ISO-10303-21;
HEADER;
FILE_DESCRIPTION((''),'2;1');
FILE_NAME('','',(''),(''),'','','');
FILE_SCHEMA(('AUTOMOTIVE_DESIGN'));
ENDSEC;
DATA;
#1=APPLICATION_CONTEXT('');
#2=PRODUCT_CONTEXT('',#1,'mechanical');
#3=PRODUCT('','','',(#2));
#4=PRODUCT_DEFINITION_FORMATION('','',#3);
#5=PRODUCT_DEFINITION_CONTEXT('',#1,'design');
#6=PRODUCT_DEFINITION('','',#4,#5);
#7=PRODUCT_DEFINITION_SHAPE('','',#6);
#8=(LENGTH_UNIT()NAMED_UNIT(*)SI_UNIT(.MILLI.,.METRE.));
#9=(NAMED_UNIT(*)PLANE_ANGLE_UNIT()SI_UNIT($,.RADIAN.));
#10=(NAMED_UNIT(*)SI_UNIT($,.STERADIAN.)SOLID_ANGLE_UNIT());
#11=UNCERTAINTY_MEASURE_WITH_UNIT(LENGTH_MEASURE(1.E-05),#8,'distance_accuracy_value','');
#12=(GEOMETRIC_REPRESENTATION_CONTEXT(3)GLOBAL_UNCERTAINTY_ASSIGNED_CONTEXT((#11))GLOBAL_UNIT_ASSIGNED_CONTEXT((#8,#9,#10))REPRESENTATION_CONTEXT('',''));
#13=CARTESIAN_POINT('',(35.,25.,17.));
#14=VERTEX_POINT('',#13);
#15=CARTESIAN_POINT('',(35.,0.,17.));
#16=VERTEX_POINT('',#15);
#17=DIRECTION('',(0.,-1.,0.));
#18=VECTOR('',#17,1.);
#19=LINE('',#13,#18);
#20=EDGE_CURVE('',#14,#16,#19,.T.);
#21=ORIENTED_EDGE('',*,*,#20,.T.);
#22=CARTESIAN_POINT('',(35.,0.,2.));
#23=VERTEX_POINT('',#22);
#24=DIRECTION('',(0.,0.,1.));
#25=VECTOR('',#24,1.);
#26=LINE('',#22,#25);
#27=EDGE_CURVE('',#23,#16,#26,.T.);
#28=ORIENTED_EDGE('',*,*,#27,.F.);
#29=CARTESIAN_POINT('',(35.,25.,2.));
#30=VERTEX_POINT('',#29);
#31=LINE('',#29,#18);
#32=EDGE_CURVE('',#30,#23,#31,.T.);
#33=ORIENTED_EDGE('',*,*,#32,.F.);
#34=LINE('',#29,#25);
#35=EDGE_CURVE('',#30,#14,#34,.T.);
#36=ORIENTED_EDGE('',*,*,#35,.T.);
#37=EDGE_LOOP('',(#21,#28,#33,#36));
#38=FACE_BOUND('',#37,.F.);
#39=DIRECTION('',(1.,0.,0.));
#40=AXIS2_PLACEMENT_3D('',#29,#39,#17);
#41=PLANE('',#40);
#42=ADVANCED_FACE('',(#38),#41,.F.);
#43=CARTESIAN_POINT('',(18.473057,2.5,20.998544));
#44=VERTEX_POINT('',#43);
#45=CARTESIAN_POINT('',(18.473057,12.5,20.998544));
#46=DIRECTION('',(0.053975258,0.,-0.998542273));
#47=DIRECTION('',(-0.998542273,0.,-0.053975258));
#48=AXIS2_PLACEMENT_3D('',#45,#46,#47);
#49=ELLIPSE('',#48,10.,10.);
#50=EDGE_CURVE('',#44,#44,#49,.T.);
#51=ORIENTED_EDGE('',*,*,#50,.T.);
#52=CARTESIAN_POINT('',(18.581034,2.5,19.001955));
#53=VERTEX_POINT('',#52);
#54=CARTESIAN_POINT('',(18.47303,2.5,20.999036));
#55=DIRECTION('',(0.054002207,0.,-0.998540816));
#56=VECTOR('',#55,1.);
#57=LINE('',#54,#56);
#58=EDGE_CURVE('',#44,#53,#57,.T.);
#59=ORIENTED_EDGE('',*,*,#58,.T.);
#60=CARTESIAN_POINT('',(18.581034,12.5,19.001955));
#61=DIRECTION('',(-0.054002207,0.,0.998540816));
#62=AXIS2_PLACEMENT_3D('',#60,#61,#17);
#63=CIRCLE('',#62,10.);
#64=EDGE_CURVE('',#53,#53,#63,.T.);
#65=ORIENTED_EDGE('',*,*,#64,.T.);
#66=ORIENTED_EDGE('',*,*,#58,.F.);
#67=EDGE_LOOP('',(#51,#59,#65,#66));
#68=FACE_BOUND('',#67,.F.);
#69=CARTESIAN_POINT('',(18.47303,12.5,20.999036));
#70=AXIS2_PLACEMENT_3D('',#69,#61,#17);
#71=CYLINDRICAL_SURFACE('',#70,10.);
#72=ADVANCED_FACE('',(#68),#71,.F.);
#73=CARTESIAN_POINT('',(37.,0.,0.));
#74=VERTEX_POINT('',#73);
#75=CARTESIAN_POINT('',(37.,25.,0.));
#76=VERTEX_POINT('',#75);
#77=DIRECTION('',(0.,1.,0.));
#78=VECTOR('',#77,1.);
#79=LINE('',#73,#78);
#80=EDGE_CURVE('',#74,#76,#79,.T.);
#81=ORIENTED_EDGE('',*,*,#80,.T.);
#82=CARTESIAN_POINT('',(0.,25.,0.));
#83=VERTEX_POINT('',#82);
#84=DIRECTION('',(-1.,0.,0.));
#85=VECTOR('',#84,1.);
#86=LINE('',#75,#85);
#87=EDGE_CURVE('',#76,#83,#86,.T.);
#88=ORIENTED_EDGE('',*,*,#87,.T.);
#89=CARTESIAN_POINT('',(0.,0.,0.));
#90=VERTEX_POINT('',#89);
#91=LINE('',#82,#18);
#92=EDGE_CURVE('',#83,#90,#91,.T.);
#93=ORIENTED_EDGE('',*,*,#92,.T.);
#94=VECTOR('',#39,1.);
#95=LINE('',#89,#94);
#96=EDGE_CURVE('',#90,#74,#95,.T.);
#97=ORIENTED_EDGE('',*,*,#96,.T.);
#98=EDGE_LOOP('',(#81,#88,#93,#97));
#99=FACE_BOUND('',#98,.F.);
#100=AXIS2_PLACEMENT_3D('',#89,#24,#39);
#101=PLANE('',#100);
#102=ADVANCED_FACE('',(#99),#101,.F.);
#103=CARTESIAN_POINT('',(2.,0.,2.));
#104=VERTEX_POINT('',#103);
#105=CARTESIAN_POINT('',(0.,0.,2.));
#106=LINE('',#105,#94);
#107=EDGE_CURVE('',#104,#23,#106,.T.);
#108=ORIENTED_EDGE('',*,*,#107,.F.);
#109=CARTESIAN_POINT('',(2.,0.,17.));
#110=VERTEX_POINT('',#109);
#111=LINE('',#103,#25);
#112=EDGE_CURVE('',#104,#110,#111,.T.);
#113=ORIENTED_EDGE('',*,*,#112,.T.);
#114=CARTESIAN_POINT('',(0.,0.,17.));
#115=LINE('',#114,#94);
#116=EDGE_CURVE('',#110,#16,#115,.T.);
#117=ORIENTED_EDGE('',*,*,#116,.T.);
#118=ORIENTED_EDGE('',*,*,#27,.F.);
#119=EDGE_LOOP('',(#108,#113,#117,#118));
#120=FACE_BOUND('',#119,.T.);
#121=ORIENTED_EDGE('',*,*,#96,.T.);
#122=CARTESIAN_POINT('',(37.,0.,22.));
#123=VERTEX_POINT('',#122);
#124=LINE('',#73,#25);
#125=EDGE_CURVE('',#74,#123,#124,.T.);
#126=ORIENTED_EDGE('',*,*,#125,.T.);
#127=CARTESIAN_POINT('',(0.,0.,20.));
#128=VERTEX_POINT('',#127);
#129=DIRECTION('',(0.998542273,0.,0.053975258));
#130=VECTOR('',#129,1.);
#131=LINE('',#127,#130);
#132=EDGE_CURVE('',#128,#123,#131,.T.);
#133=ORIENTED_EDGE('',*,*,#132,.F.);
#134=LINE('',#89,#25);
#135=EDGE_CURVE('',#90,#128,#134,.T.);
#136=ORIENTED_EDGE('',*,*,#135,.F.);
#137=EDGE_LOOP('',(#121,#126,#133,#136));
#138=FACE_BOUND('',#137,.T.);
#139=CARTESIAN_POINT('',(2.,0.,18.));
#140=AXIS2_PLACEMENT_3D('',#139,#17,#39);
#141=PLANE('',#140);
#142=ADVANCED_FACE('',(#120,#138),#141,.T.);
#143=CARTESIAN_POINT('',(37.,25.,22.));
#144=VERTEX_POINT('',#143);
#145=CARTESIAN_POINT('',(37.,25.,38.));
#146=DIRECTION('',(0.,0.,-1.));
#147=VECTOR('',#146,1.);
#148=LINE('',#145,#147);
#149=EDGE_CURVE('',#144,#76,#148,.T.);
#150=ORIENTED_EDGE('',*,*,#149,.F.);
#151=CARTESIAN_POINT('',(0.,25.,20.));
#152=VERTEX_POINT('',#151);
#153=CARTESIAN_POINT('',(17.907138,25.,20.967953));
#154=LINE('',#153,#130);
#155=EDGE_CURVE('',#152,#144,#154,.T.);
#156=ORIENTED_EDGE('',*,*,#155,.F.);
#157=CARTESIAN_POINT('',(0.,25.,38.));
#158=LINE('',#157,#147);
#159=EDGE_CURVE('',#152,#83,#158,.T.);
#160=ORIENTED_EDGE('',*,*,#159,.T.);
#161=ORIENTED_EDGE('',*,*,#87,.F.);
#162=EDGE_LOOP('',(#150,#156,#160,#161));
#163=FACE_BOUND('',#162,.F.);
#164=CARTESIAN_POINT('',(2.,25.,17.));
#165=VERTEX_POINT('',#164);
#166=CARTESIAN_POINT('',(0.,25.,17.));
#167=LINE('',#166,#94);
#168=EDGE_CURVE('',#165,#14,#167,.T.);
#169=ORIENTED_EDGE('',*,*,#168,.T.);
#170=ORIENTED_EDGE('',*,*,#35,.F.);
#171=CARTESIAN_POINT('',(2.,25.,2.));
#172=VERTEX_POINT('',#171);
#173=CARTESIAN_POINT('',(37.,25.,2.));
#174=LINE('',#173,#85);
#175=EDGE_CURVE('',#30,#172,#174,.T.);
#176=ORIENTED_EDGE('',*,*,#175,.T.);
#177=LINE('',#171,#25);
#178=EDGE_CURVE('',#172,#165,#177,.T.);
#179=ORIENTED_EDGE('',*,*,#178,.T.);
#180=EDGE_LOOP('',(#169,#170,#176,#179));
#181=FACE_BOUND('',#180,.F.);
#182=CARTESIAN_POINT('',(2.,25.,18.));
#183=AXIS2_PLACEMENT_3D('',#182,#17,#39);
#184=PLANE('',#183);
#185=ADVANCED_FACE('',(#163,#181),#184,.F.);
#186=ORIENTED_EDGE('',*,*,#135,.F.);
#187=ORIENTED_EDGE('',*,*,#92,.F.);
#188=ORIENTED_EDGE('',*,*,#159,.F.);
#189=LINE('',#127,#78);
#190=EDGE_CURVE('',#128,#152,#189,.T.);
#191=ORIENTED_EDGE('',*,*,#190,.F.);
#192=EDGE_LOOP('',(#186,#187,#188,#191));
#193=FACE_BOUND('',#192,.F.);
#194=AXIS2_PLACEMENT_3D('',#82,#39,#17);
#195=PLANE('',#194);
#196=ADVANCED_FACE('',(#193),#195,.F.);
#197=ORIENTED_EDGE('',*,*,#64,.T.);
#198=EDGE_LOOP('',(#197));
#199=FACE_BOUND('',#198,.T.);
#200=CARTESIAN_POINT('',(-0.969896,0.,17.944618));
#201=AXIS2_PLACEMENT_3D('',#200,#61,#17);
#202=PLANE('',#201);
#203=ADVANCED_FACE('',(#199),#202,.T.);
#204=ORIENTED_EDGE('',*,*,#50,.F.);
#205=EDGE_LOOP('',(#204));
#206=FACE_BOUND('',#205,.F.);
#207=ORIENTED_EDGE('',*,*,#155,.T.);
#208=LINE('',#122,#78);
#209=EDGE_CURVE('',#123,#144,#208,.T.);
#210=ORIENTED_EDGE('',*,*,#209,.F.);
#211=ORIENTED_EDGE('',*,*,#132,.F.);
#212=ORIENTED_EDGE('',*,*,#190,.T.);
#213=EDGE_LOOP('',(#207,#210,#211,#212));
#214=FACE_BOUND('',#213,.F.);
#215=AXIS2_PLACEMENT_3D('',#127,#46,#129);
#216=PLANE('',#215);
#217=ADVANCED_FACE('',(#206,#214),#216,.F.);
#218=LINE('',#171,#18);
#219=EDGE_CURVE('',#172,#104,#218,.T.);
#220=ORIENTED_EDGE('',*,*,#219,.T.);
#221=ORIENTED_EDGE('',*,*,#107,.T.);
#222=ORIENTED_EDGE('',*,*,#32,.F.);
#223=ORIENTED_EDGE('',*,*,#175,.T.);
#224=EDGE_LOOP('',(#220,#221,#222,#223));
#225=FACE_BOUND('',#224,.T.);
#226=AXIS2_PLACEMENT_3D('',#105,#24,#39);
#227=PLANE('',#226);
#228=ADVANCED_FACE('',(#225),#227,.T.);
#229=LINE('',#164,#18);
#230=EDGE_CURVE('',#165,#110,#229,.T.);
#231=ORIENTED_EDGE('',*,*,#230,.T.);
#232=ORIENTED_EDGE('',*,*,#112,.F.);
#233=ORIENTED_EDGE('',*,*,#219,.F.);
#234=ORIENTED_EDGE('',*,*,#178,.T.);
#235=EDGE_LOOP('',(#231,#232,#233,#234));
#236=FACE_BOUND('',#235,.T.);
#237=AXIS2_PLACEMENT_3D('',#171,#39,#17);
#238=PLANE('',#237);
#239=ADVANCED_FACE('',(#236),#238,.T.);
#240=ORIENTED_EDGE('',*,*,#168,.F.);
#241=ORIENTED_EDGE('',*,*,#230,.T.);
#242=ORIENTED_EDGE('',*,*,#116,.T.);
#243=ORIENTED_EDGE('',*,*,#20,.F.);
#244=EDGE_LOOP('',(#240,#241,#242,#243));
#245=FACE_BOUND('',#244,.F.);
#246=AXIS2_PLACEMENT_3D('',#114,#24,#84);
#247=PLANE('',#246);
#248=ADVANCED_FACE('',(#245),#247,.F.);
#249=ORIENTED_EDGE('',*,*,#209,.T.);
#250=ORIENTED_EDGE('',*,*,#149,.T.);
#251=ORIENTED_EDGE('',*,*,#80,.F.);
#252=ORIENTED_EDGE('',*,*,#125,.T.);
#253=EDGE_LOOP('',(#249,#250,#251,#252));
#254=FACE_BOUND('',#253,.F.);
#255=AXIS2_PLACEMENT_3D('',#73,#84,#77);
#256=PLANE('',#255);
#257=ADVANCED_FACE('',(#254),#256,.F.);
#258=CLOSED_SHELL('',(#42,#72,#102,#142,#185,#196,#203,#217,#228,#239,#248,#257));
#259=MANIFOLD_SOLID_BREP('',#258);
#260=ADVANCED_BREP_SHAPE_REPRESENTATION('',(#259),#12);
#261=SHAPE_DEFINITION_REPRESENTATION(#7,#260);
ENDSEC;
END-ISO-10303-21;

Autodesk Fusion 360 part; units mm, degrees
sketch "Sketch1" plane through (0, 0, 0) normal (0, 0, 1) x (1, 0, 0)
  line L0 (0, 0) -> (37, 0)
  line L1 (37, 0) -> (37, 25)
  line L2 (37, 25) -> (0, 25)
  line L3 (0, 25) -> (0, 0)
  dimension "d1" = 37
  dimension "d2" = 25
extrude "Extrude1" add sketch "Sketch1" along normal blind 2
sketch "Sketch2" plane through (0, 0, 2) normal (0, 0, 1) x (-1, 0, 0)
  line L0 (0, -25) -> (0, 0)
  line L1 (0, 0) -> (-37, 0)
  line L2 (-37, 0) -> (-37, -25)
  line L3 (-37, -25) -> (0, -25)
  line L4 (0, -25) -> (-2, -25)
  line L5 (-2, -25) -> (-2, 0)
  line L6 (-2, 0) -> (0, 0)
  line L7 (0, 0) -> (0, -25)
  line L8 (-37, -25) -> (-35, -25)
  line L9 (-35, -25) -> (-35, 0)
  line L10 (-35, 0) -> (-37, 0)
  line L11 (-37, 0) -> (-37, -25)
  dimension "d5" = 2
  dimension "d6" = 25
  dimension "d7" = 2
  dimension "d8" = 25
extrude "Extrude2" add sketch "Sketch2" along normal blind 16 contours L0 L1 L3 L4 L5 L6 L7 | L1 L2 L3 L8 L9 L10 L11
sketch "Sketch3" plane through (0, 0, 18) normal (0, 0, 1) x (-1, 0, 0)
  line L0 (-37, 0) -> (-37, -25)
  line L1 (-37, -25) -> (-35, -25)
  line L2 (-35, -25) -> (-35, 0)
  line L3 (-35, 0) -> (-37, 0)
  line L4 (0, -25) -> (-37, -25)
  line L5 (-37, -25) -> (-37, 0)
  line L6 (-37, 0) -> (0, 0)
  line L7 (0, 0) -> (0, -25)
extrude "Extrude3" add sketch "Sketch3" along normal blind 20
sketch "Sketch4" plane through (0, 0, 0) normal (0, -1, 0) x (1, 0, 0)
  line L0 (0, 38) -> (0, 0)
  line L1 (0, 0) -> (37, 0)
  line L2 (37, 0) -> (37, 38)
  line L3 (37, 38) -> (0, 38)
  line L4 (2, 18) -> (35, 18)
  line L5 (35, 18) -> (35, 2)
  line L6 (35, 2) -> (2, 2)
  line L7 (2, 2) -> (2, 18)
  line L8 (0, 20) -> (37, 22)
extrude "Extrude4" cut sketch "Sketch4" against normal blind 40 contours L0 L2 L3 L8
sketch "Sketch5" plane through (-1.0779, 0, 19.9417) normal (-0.054, 0, 0.9985) x (0, -1, 0)
  line L0 (-25, 38.1335) -> (-25, 1.0795)
  line L1 (-25, 1.0795) -> (0, 1.0795)
  line L2 (0, 1.0795) -> (0, 38.1335)
  line L3 (0, 38.1335) -> (-25, 38.1335)
  line L4 (-25, 1.0795) -> (-12.5, 1.0795)
  line L5 (-12.5, 1.0795) -> (-12.5, 19.5795)
  line L6 (-12.5, 19.5795) -> (-25, 19.5795)
  line L7 (-25, 19.5795) -> (-25, 1.0795)
  circle A0 centre (-12.5, 19.5795) radius 10
  dimension "d15" = 12.5
  dimension "d16" = 18.5
  dimension "d17" = 20
extrude "Extrude5" cut sketch "Sketch5" against normal blind 2 contours L5 L6 A0 | L5 L6 A0
extrude "Extrude6" add 1 faces at (24, 8.3333, 18) along direction (0, 0, -1) blind 1
